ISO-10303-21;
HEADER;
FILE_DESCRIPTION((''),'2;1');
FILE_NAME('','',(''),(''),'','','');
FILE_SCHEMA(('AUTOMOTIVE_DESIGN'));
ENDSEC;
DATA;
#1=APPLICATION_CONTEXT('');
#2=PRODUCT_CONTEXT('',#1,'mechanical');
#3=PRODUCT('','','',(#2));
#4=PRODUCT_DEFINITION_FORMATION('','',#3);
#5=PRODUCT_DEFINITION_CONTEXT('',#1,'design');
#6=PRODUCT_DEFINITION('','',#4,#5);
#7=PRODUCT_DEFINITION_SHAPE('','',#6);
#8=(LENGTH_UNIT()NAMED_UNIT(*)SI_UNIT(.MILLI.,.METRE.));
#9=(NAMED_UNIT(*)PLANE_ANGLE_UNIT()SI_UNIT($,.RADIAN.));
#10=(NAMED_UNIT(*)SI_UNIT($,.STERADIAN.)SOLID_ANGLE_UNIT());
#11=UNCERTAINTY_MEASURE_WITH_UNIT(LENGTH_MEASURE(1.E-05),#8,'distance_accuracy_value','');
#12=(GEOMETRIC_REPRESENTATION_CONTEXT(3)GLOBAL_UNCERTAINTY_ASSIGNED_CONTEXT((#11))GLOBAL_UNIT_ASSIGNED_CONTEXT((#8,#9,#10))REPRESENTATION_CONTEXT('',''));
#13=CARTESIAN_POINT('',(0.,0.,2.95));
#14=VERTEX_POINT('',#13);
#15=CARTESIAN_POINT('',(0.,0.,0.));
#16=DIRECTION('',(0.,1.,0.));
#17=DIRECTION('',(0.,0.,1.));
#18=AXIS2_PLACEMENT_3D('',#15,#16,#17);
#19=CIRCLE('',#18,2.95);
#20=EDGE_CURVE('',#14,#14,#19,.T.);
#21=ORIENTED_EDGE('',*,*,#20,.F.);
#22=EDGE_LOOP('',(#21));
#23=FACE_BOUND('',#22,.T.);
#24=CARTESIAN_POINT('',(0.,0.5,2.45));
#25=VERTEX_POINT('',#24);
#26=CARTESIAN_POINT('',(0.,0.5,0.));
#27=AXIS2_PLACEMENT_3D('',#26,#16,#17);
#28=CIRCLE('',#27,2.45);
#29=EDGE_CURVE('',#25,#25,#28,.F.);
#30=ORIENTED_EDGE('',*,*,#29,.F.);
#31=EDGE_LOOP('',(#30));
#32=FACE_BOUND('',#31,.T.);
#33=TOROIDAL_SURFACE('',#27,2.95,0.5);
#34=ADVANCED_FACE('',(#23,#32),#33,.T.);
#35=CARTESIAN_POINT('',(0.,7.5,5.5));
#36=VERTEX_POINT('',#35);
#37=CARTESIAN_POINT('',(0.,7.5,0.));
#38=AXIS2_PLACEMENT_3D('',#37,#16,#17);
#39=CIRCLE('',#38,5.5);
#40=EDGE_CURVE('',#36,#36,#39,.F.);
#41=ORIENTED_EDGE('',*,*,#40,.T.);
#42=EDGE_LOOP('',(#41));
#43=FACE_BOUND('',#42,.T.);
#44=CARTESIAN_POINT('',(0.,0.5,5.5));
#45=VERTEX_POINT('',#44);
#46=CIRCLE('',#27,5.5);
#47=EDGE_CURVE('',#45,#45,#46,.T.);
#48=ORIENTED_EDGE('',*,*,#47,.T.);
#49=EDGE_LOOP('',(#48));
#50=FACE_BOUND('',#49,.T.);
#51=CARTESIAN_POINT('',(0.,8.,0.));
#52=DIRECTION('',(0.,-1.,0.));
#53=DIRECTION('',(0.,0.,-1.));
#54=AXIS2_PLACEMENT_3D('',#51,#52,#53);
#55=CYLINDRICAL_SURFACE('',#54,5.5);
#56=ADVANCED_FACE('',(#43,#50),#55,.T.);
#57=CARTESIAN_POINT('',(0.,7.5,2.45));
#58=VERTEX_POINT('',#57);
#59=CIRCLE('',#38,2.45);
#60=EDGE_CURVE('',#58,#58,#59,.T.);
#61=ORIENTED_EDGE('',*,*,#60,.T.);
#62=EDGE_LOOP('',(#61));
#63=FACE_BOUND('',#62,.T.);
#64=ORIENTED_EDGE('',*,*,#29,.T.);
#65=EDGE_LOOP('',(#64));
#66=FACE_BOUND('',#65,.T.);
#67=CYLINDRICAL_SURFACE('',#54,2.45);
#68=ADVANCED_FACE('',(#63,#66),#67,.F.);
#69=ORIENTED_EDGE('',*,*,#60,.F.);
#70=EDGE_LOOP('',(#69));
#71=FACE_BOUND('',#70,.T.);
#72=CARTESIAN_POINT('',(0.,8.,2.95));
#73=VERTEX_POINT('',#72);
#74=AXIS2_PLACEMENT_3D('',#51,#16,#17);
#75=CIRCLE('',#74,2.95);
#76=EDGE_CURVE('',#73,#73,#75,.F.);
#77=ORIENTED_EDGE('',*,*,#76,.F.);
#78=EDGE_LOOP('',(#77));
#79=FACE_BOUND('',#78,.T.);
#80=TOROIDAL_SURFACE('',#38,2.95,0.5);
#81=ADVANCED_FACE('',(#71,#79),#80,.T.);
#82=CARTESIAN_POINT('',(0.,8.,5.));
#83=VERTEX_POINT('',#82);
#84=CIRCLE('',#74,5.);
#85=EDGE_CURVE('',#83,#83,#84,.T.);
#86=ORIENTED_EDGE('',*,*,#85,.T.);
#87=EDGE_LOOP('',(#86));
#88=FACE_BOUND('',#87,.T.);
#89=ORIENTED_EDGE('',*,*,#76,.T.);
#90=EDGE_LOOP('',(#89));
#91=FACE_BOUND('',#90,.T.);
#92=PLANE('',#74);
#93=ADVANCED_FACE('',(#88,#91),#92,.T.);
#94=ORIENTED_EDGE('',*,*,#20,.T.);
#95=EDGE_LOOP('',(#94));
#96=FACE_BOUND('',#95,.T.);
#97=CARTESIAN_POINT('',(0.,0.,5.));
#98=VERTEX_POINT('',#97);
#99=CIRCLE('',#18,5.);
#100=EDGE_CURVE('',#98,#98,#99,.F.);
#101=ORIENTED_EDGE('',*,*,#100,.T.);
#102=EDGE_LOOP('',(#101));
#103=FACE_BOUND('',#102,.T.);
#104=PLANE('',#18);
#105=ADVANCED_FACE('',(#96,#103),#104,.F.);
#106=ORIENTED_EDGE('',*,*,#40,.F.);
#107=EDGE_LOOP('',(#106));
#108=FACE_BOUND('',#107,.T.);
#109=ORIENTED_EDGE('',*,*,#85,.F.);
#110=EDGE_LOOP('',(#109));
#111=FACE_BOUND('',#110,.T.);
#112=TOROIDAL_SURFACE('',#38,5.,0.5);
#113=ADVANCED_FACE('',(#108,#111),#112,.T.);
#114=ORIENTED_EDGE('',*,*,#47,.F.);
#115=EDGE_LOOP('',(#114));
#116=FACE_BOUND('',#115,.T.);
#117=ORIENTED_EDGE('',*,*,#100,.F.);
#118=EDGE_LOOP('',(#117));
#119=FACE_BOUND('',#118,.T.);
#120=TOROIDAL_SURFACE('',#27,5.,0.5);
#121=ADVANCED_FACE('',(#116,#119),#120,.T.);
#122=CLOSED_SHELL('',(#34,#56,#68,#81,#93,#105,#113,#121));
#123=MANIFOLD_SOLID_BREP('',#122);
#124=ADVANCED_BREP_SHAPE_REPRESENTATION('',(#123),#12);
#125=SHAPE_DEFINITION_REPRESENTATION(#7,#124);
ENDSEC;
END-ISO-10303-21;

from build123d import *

# Parameters (mm, degrees)
SKETCH1_R           = 5.5
SKETCH1_R_2         = 2.45
BOSS_EXTRUDE1_DEPTH = 8
FILLET3_R           = 0.5


with BuildPart() as part:
    # Sketch1 → Boss-Extrude1 (new body)
    with BuildSketch(Plane(origin=(0, 0, 0), x_dir=(1, 0, 0), z_dir=(0, 1, 0))):
        with Locations(Location((0, 0, 0), (0, 0, 270))):
            Circle(SKETCH1_R)
        with Locations(Location((0, 0, 0), (0, 0, 270))):
            Circle(SKETCH1_R_2, mode=Mode.SUBTRACT)
    extrude(amount=BOSS_EXTRUDE1_DEPTH)

    # Fillet3
    fillet3_edges = [part.edges().sort_by_distance(p)[0] for p in [
        (0, 0, -5.5),
        (0, 8, -5.5),
        (0, 0, -2.45),
        (0, 8, -2.45),
    ]]
    fillet(fillet3_edges, radius=FILLET3_R)


solid = part.part
